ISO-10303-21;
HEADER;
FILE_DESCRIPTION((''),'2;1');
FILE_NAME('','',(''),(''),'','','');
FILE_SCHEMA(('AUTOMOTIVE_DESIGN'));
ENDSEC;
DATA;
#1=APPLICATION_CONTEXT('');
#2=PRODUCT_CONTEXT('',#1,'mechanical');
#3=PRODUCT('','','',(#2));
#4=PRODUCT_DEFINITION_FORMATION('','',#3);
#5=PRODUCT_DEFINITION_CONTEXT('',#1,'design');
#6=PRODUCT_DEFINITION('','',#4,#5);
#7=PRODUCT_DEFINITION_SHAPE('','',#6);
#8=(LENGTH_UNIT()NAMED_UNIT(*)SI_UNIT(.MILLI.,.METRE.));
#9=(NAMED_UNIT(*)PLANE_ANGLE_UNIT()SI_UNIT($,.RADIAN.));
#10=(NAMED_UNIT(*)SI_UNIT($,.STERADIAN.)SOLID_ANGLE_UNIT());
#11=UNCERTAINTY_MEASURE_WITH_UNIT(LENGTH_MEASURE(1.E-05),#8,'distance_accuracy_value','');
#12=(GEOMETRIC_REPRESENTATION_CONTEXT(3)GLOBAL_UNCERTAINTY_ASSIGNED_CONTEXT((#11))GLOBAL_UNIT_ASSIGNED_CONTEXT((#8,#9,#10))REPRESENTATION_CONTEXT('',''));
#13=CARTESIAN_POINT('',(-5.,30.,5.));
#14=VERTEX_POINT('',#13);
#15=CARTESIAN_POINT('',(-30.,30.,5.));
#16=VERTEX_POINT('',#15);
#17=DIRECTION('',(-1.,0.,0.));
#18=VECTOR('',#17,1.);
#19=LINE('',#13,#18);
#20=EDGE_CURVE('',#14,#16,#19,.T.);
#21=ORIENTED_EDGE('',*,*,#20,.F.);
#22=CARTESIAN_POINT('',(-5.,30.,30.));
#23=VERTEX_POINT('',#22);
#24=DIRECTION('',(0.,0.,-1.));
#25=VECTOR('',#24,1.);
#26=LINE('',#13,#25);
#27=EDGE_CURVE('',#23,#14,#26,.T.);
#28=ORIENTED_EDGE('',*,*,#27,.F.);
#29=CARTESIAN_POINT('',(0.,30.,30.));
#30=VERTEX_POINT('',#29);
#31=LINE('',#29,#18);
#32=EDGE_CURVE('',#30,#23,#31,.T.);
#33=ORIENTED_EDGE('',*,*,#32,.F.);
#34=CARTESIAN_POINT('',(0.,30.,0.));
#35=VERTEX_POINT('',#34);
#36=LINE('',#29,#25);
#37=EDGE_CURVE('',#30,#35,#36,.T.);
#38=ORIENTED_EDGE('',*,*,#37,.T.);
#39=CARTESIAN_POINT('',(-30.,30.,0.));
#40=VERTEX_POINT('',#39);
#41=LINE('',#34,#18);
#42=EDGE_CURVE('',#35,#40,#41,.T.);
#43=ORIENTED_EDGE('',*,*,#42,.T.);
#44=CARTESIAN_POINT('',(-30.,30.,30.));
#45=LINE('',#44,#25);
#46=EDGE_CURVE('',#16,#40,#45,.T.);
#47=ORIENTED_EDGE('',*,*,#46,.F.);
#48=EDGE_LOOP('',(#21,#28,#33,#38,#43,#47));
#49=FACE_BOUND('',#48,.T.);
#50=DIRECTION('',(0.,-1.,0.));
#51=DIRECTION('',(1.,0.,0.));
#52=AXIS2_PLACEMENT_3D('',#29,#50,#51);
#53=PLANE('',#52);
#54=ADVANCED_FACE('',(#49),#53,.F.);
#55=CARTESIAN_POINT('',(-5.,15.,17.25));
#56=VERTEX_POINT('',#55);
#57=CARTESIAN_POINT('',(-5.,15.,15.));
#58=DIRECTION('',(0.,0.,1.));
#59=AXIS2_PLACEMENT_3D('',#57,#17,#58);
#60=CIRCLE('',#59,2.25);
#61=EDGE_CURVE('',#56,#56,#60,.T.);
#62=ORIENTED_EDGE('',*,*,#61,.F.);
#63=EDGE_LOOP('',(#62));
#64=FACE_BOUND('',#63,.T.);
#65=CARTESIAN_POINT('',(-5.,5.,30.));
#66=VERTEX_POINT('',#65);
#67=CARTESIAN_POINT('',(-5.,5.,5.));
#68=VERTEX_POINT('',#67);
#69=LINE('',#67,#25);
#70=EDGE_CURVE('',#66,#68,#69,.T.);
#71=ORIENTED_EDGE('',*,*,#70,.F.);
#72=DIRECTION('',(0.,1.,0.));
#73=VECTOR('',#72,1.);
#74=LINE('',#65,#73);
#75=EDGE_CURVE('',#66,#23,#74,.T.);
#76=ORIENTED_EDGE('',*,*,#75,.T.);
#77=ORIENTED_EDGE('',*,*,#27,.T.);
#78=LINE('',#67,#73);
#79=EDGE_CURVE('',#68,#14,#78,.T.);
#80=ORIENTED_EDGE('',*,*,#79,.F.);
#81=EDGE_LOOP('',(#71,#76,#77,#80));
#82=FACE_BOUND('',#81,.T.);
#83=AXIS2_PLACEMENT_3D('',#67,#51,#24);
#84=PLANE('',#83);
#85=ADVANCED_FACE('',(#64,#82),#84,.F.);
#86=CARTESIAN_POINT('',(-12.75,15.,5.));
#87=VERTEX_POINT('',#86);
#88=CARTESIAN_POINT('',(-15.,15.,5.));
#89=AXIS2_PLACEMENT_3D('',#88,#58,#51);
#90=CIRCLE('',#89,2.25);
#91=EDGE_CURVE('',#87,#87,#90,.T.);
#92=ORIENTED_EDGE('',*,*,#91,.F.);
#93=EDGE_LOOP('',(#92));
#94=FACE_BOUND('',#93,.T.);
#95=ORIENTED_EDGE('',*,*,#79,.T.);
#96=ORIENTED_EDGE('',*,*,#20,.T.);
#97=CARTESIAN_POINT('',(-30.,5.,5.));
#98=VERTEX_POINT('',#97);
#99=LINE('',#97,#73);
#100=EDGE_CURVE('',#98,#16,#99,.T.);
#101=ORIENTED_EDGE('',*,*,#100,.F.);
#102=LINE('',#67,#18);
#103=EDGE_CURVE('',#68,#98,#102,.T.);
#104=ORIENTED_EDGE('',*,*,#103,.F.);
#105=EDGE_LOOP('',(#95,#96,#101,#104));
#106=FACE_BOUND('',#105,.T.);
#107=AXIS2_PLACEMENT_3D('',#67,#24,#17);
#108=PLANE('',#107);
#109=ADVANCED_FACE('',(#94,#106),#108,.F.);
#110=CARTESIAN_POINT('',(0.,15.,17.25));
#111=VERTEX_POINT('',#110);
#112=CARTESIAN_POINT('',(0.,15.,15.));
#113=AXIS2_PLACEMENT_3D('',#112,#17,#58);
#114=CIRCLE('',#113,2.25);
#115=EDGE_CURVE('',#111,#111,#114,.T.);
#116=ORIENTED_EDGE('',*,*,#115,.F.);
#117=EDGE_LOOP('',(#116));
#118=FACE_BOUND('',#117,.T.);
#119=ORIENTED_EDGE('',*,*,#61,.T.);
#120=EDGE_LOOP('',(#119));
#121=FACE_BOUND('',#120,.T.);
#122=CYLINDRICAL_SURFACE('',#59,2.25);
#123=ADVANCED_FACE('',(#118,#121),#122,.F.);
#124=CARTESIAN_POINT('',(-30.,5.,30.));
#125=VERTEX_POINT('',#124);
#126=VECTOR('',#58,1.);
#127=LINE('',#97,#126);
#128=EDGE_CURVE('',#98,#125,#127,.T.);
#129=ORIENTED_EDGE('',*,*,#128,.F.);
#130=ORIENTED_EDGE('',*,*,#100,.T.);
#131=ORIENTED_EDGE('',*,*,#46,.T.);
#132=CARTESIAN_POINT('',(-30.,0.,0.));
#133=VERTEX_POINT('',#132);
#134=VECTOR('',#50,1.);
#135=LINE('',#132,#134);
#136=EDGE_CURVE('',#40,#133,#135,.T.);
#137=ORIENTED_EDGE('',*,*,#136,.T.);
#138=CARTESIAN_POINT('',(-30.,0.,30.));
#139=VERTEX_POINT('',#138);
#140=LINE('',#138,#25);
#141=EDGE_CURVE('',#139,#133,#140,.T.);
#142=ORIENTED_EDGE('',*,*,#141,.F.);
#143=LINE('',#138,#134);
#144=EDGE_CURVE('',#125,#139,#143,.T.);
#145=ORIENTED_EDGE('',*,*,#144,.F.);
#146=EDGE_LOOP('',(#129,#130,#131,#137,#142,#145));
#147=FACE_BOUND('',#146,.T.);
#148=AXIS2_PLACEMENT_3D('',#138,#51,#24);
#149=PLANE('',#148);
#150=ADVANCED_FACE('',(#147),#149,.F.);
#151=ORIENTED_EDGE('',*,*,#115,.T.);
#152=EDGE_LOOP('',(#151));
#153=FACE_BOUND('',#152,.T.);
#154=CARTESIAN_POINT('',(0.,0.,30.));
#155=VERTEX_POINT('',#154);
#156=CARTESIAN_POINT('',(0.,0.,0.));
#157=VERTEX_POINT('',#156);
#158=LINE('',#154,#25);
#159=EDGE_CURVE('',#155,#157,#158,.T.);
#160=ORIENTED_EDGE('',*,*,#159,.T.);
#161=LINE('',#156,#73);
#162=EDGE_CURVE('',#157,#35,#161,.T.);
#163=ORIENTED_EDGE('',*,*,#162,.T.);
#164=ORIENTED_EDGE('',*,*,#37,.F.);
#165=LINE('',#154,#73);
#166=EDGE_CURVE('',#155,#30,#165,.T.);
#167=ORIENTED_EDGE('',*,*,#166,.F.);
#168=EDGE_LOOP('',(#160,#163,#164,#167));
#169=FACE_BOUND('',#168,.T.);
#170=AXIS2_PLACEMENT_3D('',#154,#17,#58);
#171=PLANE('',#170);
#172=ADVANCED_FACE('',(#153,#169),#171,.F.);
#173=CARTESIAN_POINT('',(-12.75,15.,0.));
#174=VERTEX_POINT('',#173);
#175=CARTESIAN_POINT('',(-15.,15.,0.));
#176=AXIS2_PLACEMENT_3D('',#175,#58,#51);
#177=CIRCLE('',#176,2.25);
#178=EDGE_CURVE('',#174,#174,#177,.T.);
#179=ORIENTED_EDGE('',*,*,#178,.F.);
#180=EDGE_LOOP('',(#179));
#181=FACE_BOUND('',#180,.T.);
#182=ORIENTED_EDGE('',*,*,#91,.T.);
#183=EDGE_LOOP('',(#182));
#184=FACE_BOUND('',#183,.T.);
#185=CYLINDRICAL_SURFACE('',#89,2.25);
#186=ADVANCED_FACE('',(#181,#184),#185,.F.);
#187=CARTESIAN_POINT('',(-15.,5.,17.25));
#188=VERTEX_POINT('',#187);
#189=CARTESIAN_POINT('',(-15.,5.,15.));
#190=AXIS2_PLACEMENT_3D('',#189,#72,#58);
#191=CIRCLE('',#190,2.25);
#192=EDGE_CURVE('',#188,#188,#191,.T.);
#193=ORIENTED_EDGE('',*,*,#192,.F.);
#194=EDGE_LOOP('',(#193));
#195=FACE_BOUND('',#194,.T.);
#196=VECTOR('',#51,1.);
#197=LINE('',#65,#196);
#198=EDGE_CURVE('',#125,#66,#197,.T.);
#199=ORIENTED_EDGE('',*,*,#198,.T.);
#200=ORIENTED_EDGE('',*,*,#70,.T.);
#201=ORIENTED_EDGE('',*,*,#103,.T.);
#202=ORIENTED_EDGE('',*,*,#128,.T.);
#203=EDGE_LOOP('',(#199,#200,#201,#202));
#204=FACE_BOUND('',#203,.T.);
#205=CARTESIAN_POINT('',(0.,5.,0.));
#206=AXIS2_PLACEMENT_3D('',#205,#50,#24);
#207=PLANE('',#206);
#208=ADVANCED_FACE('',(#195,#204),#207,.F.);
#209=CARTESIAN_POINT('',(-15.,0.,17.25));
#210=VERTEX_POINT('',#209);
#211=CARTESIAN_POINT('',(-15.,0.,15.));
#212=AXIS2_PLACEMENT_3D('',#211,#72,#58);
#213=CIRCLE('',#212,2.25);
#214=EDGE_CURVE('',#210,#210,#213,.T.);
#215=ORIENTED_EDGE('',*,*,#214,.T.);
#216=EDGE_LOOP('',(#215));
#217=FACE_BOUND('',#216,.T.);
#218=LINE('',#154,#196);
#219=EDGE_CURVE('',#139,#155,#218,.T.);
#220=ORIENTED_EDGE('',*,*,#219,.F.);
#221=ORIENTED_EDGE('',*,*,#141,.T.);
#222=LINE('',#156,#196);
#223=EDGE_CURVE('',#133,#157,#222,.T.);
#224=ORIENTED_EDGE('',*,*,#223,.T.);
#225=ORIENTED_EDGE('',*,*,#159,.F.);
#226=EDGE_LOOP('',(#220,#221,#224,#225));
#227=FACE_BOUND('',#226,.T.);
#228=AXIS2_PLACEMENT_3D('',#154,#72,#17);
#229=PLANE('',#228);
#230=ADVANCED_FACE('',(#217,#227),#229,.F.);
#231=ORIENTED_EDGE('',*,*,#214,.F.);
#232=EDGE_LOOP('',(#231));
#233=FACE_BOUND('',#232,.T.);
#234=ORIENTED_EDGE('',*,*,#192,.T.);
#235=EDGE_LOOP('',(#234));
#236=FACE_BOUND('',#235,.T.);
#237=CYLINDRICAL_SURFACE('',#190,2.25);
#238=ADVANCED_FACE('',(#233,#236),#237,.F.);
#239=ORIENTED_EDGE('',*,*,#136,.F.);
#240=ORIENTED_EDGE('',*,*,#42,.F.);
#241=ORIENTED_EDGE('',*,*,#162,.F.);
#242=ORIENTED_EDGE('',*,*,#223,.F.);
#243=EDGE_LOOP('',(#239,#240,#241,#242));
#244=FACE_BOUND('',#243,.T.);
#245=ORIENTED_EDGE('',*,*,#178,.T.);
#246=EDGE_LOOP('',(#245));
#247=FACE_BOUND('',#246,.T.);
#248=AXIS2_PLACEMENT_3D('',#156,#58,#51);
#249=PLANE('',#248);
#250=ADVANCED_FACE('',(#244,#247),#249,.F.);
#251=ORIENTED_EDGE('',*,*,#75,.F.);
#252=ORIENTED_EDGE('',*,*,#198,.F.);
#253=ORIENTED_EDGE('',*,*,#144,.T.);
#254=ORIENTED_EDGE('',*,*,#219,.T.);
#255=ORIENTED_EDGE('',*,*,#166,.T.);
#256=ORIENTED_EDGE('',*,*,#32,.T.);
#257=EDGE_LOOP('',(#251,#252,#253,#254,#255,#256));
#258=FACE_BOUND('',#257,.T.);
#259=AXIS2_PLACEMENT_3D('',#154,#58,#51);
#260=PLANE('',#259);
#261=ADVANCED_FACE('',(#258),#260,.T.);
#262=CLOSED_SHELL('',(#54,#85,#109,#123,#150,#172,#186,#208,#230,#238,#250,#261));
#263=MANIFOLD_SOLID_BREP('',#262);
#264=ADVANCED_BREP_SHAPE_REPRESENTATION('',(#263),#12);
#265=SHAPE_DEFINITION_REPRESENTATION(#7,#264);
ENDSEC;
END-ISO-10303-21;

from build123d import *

# Parameters (mm, degrees)
ESBO_O1_W                         = 30
ESBO_O1_H                         = 30
RESSALTO_EXTRUS_O1_DEPTH          = 30
ESBO_O3_W                         = 25
ESBO_O3_H                         = 25
CORTE_EXTRUS_O2_DEPTH             = 25
FURO_COM_FOLGA_DE_M41_D           = 4.5
FURO_COM_FOLGA_DE_M41_ON_FACE_2_D = 4.5
FURO_COM_FOLGA_DE_M41_ON_FACE_3_D = 4.5


with BuildPart() as part:
    # Esboço1 → Ressalto-extrusão1 (new body)
    with BuildSketch(Plane.XY):
        with Locations((-15, 15)):
            Rectangle(ESBO_O1_W, ESBO_O1_H)
    extrude(amount=RESSALTO_EXTRUS_O1_DEPTH)

    # Esboço3 → Corte-extrusão2 (cut)
    with BuildSketch(Plane(origin=(0, 30, 0), x_dir=(1, 0, 0), z_dir=(0, 1, 0))):
        with Locations((-17.5, -17.5)):
            Rectangle(ESBO_O3_W, ESBO_O3_H)
    extrude(amount=-CORTE_EXTRUS_O2_DEPTH, mode=Mode.SUBTRACT)

    # Furo com folga de M41 (through all)
    with Locations(Plane(origin=(-5, 15, 15), x_dir=(0, 0, -1), z_dir=(-1, 0, 0))):
        with Locations((0, 0)):
            Hole(FURO_COM_FOLGA_DE_M41_D / 2)

    # Furo com folga de M41 on face 2 (through all)
    with Locations(Plane(origin=(-15, 15, 5), x_dir=(1, 0, 0), z_dir=(0, 0, 1))):
        with Locations((0, 0)):
            Hole(FURO_COM_FOLGA_DE_M41_ON_FACE_2_D / 2)

    # Furo com folga de M41 on face 3 (through all)
    with Locations(Plane(origin=(-15, 5, 15), x_dir=(0, 0, 1), z_dir=(0, 1, 0))):
        with Locations((0, 0)):
            Hole(FURO_COM_FOLGA_DE_M41_ON_FACE_3_D / 2)


solid = part.part
